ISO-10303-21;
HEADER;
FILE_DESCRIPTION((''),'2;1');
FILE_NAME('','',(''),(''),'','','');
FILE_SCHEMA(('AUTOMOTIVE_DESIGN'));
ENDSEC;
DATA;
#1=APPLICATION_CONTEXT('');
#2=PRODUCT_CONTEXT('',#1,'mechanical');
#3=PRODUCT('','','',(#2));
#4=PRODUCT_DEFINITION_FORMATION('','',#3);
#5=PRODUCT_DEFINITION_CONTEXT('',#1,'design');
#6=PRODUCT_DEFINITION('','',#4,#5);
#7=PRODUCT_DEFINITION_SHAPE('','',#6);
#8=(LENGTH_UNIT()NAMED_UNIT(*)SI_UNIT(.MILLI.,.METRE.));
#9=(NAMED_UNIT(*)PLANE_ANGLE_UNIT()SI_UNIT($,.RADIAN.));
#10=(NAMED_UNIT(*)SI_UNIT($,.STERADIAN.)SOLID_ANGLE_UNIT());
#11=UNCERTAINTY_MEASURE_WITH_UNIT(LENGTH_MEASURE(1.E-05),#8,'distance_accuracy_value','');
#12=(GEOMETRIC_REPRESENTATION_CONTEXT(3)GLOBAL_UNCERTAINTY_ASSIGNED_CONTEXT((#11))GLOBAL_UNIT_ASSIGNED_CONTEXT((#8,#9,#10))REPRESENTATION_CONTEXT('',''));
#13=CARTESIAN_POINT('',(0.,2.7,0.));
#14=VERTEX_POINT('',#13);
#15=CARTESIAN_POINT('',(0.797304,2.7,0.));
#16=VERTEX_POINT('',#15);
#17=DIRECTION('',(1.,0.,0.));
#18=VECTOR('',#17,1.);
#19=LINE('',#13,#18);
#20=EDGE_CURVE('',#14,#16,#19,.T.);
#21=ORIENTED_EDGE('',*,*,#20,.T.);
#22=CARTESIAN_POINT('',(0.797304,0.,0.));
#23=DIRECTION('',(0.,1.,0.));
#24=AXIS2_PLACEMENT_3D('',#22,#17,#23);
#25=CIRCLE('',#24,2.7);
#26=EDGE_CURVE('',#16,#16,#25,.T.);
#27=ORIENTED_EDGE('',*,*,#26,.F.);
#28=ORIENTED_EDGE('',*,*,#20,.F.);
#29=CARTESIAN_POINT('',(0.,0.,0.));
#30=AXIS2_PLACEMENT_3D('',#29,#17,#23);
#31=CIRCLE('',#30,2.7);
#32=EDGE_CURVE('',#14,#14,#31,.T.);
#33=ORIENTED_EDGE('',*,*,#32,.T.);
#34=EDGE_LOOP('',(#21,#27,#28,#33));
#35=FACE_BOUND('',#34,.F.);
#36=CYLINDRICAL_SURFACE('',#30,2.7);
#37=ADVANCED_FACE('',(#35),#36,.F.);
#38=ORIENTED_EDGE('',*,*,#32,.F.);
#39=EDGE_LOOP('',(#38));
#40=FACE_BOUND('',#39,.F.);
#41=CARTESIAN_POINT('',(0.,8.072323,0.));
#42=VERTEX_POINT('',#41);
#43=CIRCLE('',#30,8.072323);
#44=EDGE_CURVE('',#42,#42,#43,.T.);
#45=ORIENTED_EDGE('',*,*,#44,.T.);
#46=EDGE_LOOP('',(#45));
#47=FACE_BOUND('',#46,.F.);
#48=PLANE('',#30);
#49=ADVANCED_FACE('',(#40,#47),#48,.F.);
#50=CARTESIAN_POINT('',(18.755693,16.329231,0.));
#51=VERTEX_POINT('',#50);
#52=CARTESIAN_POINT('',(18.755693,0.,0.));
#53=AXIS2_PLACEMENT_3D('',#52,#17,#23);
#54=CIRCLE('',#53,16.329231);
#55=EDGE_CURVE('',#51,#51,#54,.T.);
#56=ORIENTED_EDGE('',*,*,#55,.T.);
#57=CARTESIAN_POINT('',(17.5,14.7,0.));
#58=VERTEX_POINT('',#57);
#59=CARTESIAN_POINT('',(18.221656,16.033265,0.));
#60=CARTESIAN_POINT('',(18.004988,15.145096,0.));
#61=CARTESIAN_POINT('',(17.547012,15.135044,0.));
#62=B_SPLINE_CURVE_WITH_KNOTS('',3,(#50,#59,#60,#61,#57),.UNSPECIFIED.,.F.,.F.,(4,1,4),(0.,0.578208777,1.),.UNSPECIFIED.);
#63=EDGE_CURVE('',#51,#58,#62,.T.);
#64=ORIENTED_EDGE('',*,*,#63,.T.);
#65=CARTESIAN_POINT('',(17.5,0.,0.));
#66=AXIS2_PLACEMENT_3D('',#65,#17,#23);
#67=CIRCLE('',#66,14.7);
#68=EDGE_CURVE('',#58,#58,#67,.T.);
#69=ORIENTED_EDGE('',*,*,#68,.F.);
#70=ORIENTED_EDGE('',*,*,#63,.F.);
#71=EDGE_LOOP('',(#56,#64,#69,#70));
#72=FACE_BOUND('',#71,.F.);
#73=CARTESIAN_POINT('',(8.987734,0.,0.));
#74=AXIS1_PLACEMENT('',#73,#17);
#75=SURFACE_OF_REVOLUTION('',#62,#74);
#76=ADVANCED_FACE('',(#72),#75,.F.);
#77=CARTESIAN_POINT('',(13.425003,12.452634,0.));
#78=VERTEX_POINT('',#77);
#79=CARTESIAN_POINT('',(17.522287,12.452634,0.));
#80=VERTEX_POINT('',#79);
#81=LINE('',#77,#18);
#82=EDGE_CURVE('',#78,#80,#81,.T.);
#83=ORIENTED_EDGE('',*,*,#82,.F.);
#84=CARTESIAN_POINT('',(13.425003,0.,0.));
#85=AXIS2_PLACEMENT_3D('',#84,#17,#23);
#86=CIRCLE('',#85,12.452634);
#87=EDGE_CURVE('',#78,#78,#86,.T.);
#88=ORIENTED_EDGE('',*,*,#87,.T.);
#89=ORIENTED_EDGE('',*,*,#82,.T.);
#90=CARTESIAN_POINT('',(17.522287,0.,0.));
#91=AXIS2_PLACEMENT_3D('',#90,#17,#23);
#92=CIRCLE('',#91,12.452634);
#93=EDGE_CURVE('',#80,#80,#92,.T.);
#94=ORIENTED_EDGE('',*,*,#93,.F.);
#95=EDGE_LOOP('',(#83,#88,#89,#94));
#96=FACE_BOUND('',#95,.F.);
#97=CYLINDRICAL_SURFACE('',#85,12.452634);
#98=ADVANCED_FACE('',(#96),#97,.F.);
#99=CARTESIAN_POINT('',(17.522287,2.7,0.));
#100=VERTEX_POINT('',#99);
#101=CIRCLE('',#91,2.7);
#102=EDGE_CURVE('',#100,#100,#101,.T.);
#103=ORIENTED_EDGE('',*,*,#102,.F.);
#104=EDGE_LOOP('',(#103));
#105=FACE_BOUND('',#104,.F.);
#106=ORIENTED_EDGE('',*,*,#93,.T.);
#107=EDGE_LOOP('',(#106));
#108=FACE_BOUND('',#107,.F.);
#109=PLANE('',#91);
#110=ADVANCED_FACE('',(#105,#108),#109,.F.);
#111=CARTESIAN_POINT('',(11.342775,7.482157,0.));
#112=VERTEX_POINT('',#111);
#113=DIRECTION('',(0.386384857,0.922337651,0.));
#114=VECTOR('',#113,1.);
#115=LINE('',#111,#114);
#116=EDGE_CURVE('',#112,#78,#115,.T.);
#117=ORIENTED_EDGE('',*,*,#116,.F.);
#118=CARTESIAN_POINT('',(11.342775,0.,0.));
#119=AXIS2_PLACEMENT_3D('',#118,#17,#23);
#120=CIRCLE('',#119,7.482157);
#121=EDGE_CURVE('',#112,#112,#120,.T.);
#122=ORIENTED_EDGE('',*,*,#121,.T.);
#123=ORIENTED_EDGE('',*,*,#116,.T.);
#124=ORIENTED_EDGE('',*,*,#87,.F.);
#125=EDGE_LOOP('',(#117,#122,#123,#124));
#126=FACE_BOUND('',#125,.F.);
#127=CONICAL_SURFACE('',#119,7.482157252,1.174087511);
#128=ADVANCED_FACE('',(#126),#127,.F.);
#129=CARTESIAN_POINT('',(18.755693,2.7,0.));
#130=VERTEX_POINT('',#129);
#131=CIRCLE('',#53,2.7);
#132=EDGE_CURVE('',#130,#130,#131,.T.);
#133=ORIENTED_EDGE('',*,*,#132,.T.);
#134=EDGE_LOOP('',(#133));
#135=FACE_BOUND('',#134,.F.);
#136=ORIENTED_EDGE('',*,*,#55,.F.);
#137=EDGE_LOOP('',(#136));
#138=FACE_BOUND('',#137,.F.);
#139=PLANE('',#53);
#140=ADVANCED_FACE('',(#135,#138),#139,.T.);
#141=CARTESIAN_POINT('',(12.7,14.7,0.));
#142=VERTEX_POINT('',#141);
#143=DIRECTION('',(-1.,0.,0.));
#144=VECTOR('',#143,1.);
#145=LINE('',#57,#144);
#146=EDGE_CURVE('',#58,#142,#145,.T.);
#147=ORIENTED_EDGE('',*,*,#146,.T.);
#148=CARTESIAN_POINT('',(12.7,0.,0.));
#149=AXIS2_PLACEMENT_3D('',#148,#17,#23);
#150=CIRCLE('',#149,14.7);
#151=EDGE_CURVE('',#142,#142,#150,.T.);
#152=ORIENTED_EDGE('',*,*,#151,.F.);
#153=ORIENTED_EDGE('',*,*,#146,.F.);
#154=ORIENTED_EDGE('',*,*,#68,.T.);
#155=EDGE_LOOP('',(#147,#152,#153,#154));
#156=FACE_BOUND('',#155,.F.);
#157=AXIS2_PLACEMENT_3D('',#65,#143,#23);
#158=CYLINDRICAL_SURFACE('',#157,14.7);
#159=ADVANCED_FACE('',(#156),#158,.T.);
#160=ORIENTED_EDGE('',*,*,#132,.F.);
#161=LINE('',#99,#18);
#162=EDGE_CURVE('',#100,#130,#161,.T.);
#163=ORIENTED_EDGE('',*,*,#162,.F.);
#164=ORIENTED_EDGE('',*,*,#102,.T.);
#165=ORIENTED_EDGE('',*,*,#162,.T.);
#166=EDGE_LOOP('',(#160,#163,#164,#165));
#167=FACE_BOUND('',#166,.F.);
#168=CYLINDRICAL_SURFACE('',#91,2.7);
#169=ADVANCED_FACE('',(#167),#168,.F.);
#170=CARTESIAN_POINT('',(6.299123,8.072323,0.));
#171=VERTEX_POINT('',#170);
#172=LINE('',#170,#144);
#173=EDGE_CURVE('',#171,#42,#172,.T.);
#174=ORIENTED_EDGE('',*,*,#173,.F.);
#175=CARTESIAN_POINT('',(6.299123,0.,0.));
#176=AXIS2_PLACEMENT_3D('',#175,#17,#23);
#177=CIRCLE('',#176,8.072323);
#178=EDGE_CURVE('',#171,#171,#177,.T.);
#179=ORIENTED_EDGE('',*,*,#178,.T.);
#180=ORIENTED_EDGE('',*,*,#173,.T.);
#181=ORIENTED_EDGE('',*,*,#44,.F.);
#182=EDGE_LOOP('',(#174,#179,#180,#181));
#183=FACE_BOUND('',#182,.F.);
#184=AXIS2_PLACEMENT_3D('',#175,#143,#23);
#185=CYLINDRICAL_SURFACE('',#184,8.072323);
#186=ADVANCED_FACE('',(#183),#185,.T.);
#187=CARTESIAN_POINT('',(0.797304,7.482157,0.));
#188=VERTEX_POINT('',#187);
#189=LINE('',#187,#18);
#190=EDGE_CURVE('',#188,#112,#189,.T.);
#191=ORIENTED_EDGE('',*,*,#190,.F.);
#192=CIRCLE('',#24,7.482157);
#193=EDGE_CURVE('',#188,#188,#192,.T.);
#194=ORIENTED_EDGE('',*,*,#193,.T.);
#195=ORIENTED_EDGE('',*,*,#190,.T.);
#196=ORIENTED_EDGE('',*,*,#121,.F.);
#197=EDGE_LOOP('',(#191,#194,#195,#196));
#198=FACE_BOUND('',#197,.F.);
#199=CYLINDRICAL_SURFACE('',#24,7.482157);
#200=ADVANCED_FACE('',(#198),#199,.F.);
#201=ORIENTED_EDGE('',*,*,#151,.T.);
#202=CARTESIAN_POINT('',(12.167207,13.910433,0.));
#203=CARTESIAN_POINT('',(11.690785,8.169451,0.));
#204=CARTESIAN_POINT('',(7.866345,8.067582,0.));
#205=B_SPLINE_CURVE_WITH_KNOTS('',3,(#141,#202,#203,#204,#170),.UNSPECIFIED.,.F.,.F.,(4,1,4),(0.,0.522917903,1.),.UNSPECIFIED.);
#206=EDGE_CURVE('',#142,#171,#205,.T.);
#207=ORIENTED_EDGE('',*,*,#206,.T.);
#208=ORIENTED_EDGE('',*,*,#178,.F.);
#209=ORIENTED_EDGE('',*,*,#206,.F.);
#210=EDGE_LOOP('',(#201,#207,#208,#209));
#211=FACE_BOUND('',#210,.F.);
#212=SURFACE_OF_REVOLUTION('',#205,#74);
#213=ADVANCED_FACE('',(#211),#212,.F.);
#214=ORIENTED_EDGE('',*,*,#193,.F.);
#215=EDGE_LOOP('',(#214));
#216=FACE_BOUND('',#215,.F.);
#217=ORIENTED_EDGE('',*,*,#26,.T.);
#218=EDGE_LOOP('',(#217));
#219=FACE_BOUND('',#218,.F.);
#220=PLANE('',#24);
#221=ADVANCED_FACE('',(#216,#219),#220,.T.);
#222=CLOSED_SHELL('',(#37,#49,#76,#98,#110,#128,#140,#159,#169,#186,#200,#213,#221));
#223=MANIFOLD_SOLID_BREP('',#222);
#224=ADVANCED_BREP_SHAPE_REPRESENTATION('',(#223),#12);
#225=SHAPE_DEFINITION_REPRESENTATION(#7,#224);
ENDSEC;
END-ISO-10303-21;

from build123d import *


with BuildPart() as f1:
    # F0 (on Top) → F1 (revolve)
    with BuildSketch(Plane.XY):
        with BuildLine():
            Line((6.299123168, 8.0723231658), (0, 8.0723231658))
            Line((0, 8.0723231658), (0, 2.7))
            Line((0, 2.7), (0.7973039756, 2.7))
            Line((0.7973039756, 2.7), (0.7973039756, 7.4821572516))
            Line((0.7973039756, 7.4821572516), (11.3427750766, 7.4821572516))
            Line((11.3427750766, 7.4821572516), (13.4250028059, 12.4526342142))
            Line((13.4250028059, 12.4526342142), (17.5222866237, 12.4526342142))
            Line((17.5222866237, 12.4526342142), (17.5222866237, 2.7))
            Line((17.5222866237, 2.7), (18.7556929142, 2.7))
            Line((18.7556929142, 2.7), (18.7556929142, 16.3292309035))
            add(Edge.make_bspline(
                [(18.7556929142, 16.3292309035), (18.221655704, 16.0332654172), (18.0049876402, 15.1450959339), (17.5470119144, 15.1350442094), (17.5, 14.7)],
                knots=[0, 0, 0, 0, 0.5782087767, 1, 1, 1, 1], degree=3))
            Line((17.5, 14.7), (12.7, 14.7))
            add(Edge.make_bspline(
                [(12.7, 14.7), (12.1672071333, 13.9104330713), (11.6907854648, 8.1694510905), (7.8663451048, 8.0675818664), (6.299123168, 8.0723231658)],
                knots=[0, 0, 0, 0, 0.5229179031, 1, 1, 1, 1], degree=3))
        make_face()
    revolve(axis=Axis((8.9877336286, 0, 0), (1, 0, 0)))


solid = f1.part
